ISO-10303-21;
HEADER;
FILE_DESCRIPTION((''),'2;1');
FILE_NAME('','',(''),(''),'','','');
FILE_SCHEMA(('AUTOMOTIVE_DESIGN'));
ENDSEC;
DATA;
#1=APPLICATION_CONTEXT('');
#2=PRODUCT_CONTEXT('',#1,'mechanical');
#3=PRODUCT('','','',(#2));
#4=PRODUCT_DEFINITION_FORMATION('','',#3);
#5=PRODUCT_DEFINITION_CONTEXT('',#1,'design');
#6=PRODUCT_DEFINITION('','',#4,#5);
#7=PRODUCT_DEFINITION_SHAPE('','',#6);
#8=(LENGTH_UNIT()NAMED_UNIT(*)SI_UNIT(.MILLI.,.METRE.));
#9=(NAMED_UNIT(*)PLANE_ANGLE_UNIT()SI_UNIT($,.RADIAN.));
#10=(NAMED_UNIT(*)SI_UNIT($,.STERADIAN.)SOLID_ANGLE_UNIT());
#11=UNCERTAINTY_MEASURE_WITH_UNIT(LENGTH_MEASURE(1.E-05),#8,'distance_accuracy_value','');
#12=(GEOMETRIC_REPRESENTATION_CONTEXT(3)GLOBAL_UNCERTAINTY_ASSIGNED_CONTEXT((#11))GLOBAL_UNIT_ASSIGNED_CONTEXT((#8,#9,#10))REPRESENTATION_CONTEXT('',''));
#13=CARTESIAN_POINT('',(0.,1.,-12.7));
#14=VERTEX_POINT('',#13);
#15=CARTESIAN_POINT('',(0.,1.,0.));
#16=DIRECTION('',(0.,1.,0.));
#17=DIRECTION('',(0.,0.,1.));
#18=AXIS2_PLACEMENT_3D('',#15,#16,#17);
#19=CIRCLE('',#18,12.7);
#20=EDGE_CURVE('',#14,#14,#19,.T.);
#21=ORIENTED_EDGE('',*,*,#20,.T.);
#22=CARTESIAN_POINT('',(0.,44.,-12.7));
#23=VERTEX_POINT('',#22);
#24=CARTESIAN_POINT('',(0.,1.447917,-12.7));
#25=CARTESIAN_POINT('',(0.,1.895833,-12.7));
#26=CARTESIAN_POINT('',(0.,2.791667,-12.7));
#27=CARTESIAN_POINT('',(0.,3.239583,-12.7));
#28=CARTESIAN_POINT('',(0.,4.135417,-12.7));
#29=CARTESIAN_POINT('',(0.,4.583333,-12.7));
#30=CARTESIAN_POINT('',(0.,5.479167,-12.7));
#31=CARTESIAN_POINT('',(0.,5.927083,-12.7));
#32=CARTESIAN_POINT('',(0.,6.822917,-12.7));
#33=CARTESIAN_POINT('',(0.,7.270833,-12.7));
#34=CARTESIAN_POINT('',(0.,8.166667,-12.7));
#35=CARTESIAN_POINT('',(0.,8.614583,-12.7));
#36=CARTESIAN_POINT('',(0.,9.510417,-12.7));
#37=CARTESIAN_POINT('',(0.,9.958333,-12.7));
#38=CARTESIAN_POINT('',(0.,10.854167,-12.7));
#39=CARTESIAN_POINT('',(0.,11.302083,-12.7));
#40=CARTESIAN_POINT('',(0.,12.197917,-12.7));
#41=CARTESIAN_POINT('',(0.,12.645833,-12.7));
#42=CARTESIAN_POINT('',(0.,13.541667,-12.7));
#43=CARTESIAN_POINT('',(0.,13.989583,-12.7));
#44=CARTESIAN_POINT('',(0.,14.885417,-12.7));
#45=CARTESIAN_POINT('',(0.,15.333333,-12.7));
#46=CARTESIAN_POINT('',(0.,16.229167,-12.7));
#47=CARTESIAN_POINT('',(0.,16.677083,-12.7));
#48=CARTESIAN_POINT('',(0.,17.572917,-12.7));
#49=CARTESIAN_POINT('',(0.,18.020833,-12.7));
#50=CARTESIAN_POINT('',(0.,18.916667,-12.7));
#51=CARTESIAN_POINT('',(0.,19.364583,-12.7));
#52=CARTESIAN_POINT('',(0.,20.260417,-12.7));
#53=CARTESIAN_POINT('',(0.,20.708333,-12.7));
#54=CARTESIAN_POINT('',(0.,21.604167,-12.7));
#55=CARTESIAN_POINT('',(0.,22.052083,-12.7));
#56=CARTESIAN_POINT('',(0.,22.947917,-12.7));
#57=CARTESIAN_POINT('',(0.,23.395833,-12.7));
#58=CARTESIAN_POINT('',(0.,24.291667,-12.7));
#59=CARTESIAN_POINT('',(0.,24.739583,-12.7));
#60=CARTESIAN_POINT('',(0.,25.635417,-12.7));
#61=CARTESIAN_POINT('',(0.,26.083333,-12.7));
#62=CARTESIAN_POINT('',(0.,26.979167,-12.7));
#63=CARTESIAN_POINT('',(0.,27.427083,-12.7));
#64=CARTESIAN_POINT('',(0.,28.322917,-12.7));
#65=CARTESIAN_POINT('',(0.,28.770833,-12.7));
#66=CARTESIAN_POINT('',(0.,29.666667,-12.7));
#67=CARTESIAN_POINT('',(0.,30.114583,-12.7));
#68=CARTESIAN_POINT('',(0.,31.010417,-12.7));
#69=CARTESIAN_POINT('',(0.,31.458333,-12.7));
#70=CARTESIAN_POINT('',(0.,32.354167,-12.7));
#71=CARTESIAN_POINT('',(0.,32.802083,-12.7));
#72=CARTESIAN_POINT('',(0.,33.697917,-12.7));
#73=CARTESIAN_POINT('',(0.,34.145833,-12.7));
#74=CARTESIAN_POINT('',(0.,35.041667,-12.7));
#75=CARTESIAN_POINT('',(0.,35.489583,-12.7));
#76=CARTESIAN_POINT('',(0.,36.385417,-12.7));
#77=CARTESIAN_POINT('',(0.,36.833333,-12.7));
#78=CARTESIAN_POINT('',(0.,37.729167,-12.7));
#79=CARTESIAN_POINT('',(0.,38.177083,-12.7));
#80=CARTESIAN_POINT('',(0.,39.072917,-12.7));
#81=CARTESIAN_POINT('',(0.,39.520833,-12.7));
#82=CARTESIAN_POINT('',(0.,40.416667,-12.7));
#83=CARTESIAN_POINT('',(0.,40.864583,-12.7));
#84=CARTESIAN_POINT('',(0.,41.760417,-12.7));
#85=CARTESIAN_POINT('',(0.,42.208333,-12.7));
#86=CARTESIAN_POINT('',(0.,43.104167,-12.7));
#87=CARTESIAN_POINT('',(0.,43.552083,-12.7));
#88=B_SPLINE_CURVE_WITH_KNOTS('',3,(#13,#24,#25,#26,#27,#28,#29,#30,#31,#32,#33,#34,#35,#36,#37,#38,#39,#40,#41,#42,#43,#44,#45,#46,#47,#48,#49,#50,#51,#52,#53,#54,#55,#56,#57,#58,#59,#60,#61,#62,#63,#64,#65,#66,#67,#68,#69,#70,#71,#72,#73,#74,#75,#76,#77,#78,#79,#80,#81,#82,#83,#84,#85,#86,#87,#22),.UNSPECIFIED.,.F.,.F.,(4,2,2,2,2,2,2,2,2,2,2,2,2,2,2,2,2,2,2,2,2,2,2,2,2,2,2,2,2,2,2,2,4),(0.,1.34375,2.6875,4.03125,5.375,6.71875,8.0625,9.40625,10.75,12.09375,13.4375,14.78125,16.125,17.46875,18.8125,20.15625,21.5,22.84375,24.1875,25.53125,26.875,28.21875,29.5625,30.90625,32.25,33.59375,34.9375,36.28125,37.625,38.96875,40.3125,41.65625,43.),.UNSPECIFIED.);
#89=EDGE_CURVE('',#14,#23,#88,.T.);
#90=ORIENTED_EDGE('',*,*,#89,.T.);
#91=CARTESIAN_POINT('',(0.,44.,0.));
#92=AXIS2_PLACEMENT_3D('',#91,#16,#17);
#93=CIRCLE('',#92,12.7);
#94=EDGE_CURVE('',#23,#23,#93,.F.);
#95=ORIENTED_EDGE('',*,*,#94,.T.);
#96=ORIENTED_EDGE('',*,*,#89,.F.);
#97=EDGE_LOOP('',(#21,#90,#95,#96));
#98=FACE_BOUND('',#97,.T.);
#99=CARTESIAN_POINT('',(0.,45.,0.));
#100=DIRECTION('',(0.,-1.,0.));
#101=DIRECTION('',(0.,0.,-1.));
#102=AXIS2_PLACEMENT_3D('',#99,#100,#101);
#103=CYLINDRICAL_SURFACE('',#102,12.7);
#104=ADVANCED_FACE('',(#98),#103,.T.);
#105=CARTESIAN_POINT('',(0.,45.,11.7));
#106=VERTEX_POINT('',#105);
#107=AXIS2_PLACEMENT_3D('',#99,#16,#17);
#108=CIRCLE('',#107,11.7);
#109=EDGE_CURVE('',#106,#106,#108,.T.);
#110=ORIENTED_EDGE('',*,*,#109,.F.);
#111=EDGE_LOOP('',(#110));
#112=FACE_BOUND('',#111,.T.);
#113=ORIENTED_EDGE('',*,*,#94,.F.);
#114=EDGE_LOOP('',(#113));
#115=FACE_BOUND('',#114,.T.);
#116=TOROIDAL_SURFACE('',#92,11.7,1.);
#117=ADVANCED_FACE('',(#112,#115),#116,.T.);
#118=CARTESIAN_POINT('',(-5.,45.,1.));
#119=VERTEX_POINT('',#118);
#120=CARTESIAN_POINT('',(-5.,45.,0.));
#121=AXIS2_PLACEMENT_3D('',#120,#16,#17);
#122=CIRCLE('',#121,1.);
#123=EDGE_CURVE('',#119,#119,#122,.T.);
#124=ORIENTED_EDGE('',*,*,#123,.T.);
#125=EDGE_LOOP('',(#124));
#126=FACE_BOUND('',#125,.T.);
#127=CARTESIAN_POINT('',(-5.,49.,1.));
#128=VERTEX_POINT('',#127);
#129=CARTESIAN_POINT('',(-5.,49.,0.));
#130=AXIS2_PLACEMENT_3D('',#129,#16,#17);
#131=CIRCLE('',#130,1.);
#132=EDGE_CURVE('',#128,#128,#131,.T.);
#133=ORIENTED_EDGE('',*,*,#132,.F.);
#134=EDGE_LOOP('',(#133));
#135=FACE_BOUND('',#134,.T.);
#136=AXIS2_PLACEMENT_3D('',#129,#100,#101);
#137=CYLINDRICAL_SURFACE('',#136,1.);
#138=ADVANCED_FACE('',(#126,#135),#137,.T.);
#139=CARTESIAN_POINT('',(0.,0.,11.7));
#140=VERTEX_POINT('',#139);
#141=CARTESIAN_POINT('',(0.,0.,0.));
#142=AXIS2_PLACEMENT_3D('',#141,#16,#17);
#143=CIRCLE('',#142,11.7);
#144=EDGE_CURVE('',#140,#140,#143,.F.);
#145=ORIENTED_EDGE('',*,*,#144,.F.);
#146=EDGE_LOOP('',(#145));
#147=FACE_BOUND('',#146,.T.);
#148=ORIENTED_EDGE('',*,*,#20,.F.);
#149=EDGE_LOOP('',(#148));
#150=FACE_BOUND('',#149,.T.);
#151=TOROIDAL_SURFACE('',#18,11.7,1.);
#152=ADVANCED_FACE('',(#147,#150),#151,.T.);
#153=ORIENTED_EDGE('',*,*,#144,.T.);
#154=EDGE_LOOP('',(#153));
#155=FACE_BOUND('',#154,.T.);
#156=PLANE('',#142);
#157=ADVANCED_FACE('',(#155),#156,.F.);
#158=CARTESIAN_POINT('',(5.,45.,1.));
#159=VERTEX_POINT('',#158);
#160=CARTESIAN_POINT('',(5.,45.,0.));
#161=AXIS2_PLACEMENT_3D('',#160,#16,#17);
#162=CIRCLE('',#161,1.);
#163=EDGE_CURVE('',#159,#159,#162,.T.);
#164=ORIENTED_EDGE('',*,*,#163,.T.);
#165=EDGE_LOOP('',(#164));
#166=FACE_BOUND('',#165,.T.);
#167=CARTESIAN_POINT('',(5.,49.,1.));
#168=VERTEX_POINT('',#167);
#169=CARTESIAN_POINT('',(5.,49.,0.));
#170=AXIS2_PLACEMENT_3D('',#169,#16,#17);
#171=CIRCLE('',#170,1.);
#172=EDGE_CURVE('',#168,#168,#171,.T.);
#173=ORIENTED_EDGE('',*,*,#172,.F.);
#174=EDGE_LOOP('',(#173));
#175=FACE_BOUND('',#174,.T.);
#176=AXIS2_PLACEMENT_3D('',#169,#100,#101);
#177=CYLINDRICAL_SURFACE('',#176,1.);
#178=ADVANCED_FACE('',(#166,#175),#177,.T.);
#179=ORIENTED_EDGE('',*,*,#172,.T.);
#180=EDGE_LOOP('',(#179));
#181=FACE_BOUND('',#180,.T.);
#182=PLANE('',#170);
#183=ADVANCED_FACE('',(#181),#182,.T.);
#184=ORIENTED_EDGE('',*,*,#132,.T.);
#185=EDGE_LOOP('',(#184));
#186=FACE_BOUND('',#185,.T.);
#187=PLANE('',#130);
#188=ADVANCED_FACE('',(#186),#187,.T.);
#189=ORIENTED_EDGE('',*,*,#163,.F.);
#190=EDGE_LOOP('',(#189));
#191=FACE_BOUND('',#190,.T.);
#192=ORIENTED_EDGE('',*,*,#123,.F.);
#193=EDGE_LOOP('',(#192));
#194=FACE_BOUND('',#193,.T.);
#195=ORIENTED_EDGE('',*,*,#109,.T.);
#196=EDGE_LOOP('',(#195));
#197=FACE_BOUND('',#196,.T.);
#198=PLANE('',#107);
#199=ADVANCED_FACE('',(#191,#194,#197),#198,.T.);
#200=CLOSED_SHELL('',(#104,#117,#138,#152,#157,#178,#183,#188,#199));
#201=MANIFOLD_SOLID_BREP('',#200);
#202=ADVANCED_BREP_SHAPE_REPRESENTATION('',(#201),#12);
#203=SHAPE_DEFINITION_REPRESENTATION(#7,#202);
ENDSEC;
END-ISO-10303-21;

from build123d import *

# Parameters (mm, degrees)
ESBO_O1_R                = 12.7
RESSALTO_EXTRUS_O1_DEPTH = 45
FILETE1_R                = 1
ESBO_O2_R                = 1
RESSALTO_EXTRUS_O2_DEPTH = 4


with BuildPart() as part:
    # Esboço1 → Ressalto-extrusão1 (new body)
    with BuildSketch(Plane(origin=(0, 0, 0), x_dir=(1, 0, 0), z_dir=(0, 1, 0))):
        with Locations(Location((0, 0, 0), (0, 0, 90))):
            Circle(ESBO_O1_R)
    extrude(amount=RESSALTO_EXTRUS_O1_DEPTH)

    # Filete1
    filete1_edges = [part.edges().sort_by_distance(p)[0] for p in [
        (0, 0, 12.7),
        (0, 45, 12.7),
    ]]
    fillet(filete1_edges, radius=FILETE1_R)

    # Esboço2 → Ressalto-extrusão2 (add)
    with BuildSketch(Plane(origin=(0, 45, 0), x_dir=(1, 0, 0), z_dir=(0, 1, 0))):
        with Locations(Location((5, 0, 0), (0, 0, 270))):
            Circle(ESBO_O2_R)
        with Locations(Location((-5, 0, 0), (0, 0, 270))):
            Circle(ESBO_O2_R)
    extrude(amount=RESSALTO_EXTRUS_O2_DEPTH)


solid = part.part
